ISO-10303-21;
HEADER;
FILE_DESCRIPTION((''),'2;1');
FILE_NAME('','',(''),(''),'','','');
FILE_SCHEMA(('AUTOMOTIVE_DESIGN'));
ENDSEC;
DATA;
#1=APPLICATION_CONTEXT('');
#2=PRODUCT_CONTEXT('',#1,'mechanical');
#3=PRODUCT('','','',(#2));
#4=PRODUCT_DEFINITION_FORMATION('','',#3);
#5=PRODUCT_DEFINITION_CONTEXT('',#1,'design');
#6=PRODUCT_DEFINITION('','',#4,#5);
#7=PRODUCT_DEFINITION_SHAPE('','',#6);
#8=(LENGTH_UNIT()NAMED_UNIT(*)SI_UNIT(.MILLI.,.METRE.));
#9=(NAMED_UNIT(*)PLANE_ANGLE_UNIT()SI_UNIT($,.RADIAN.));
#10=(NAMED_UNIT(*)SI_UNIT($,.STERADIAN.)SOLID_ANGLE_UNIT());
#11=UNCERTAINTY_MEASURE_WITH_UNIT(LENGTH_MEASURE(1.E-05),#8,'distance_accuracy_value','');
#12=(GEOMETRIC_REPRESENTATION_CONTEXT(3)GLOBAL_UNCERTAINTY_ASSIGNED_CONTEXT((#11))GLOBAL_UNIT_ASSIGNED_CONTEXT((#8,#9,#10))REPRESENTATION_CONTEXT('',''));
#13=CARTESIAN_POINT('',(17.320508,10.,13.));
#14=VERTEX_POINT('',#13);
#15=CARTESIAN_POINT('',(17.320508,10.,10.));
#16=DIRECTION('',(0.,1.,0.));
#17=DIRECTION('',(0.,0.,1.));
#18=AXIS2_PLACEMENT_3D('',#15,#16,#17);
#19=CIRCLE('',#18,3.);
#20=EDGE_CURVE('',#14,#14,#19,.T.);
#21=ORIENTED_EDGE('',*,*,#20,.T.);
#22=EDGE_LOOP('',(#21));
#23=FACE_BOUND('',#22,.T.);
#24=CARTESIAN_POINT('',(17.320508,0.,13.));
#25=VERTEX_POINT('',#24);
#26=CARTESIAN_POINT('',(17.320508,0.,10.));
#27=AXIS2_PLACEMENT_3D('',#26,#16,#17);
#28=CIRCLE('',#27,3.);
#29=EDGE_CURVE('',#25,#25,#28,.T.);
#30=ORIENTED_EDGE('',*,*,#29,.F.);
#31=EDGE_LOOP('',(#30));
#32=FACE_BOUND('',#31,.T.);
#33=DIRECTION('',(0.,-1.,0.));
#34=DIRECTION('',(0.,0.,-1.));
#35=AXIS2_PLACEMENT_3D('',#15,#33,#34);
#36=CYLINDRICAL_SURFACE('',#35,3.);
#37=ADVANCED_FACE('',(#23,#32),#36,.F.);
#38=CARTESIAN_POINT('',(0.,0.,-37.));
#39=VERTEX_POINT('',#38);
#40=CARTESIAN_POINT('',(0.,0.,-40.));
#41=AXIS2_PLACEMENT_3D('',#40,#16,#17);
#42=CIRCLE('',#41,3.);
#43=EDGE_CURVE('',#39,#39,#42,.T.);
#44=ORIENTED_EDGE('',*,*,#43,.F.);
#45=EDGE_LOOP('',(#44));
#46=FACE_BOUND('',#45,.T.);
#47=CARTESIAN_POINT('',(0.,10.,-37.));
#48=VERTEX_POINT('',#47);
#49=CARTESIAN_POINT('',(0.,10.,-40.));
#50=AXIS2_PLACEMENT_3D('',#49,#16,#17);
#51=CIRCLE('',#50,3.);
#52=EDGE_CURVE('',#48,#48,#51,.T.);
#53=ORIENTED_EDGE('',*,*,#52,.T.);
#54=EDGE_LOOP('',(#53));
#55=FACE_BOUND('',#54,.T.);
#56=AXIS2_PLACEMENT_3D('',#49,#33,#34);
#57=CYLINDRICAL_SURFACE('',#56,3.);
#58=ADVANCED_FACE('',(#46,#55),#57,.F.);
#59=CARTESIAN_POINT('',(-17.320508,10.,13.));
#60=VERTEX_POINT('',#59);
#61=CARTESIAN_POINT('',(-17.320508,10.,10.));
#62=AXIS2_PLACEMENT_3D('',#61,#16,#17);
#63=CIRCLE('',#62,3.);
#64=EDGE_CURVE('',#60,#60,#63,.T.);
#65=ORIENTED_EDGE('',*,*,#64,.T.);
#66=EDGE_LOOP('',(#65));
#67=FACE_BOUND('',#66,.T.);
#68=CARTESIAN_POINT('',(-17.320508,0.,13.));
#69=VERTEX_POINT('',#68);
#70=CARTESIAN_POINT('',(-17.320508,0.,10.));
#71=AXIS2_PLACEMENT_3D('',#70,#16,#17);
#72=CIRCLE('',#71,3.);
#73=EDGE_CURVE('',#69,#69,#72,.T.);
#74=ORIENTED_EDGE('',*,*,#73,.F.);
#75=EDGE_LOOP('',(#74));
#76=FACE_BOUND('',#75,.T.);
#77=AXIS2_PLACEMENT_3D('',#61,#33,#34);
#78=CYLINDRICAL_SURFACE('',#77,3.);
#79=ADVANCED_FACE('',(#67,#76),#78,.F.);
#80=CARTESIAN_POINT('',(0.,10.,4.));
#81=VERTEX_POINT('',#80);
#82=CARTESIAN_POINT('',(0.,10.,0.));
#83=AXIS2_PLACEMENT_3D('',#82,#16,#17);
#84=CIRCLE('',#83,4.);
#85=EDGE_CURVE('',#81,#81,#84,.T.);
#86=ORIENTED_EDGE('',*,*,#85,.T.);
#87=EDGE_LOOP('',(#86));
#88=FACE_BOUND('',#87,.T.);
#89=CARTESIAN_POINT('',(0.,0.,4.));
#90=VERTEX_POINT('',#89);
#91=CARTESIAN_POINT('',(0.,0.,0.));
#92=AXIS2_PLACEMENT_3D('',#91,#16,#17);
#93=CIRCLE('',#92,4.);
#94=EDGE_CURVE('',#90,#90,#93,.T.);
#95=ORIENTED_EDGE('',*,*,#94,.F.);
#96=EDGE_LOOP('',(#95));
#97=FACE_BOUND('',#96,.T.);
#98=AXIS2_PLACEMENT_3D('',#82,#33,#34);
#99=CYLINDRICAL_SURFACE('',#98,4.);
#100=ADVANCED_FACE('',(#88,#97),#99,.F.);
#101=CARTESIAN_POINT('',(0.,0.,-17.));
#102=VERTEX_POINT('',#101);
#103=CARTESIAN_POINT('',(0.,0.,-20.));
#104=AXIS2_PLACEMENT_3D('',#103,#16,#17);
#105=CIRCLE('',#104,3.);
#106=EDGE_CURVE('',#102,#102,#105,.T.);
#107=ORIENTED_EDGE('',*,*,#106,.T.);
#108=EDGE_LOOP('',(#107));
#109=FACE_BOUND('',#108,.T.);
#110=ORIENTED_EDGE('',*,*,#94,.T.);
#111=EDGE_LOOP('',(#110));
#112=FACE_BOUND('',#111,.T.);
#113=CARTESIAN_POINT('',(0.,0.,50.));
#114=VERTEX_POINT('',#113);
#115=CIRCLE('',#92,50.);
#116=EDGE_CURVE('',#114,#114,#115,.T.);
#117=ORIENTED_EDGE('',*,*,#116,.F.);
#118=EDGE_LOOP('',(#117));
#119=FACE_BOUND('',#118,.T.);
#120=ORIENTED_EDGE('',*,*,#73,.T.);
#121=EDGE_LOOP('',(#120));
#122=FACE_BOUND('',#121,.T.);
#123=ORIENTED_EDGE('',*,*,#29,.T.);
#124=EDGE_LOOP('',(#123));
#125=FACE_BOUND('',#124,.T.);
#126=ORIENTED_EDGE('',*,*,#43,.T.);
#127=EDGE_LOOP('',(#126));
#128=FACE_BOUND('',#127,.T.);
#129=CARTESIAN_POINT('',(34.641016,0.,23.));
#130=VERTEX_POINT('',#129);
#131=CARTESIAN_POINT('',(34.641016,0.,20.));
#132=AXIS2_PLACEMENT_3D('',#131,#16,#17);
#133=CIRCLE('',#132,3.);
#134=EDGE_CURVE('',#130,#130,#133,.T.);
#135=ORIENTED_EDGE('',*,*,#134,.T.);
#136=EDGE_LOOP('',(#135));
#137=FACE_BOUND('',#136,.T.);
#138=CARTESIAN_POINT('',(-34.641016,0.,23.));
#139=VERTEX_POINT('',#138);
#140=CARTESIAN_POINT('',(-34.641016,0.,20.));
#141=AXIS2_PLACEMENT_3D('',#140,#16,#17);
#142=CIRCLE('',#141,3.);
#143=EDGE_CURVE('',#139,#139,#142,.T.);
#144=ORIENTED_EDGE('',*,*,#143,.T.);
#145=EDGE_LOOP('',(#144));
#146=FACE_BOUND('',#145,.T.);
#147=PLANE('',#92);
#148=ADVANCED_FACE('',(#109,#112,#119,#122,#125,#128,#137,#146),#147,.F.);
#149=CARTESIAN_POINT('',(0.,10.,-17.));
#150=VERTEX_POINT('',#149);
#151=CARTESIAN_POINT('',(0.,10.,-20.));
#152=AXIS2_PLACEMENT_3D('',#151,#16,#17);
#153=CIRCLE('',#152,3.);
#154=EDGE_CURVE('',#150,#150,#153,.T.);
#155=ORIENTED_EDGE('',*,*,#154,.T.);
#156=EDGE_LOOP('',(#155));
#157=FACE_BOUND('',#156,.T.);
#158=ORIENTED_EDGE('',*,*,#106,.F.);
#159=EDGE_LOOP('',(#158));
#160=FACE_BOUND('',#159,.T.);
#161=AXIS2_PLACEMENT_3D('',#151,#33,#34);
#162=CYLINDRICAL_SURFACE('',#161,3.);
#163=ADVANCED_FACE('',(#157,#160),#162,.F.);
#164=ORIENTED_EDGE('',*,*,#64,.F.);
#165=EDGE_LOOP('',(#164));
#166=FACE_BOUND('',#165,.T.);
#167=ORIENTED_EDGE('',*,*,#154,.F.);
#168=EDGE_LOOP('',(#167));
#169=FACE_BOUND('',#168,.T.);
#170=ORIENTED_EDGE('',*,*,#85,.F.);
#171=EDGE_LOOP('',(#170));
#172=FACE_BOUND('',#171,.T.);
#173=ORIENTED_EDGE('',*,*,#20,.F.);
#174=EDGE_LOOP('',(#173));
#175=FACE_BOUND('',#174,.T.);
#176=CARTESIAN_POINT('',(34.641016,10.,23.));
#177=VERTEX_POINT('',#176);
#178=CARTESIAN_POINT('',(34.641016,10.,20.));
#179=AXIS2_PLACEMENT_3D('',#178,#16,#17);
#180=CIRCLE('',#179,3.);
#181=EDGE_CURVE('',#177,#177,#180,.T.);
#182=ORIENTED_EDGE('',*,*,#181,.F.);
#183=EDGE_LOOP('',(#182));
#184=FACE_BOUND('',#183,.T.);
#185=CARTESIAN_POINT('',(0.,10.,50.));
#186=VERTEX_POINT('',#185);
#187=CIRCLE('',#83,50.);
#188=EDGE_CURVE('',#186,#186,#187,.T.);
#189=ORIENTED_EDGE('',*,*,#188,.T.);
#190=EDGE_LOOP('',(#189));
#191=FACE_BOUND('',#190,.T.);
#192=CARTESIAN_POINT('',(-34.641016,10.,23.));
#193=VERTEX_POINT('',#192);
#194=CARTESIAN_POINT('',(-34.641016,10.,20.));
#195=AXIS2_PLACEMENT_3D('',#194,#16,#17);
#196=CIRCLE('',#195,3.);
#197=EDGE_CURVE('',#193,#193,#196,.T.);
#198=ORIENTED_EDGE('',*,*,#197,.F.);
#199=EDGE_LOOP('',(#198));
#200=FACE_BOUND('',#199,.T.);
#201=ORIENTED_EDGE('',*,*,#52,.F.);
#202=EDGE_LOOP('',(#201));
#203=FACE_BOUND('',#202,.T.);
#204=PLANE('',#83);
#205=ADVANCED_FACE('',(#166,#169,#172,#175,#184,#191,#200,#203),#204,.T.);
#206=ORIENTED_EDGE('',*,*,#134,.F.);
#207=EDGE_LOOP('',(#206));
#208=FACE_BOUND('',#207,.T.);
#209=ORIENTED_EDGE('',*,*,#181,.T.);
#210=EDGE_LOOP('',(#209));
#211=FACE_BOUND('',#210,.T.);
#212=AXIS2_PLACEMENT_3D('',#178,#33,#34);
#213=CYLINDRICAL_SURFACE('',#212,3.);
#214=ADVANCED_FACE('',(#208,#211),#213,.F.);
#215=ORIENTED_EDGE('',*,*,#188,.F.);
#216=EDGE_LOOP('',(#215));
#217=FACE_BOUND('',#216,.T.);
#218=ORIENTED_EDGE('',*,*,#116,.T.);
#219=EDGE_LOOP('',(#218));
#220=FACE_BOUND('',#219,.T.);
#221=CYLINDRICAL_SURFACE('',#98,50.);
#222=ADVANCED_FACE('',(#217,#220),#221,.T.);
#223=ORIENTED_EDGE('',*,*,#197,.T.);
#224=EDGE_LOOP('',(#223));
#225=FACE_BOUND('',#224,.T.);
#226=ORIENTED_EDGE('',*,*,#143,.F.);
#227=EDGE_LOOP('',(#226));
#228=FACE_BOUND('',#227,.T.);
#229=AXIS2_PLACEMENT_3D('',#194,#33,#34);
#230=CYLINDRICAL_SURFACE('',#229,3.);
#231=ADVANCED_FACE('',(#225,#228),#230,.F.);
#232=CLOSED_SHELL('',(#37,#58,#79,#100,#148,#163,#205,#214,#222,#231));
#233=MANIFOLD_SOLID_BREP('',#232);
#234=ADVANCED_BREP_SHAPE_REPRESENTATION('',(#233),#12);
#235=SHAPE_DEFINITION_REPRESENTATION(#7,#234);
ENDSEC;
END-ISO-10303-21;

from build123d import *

# Parameters (mm, degrees)
SKETCH1_R           = 50
SKETCH1_R_2         = 4
SKETCH1_R_3         = 3
BOSS_EXTRUDE1_DEPTH = 10


with BuildPart() as part:
    # Sketch1 → Boss-Extrude1 (new body)
    with BuildSketch(Plane(origin=(0, 0, 0), x_dir=(1, 0, 0), z_dir=(0, 1, 0))):
        with Locations(Location((0, 0, 0), (0, 0, 270))):
            Circle(SKETCH1_R)
        with Locations(Location((0, 0, 0), (0, 0, 270))):
            Circle(SKETCH1_R_2, mode=Mode.SUBTRACT)
        with Locations(Location((0, 40, 0), (0, 0, 270))):
            Circle(SKETCH1_R_3, mode=Mode.SUBTRACT)
        with Locations(Location((0, 20, 0), (0, 0, 270))):
            Circle(SKETCH1_R_3, mode=Mode.SUBTRACT)
        with Locations(Location((34.641016151, -20, 0), (0, 0, 270))):
            Circle(SKETCH1_R_3, mode=Mode.SUBTRACT)
        with Locations(Location((17.320508076, -10, 0), (0, 0, 270))):
            Circle(SKETCH1_R_3, mode=Mode.SUBTRACT)
        with Locations(Location((-34.641016151, -20, 0), (0, 0, 270))):
            Circle(SKETCH1_R_3, mode=Mode.SUBTRACT)
        with Locations(Location((-17.320508076, -10, 0), (0, 0, 270))):
            Circle(SKETCH1_R_3, mode=Mode.SUBTRACT)
    extrude(amount=BOSS_EXTRUDE1_DEPTH)


solid = part.part
